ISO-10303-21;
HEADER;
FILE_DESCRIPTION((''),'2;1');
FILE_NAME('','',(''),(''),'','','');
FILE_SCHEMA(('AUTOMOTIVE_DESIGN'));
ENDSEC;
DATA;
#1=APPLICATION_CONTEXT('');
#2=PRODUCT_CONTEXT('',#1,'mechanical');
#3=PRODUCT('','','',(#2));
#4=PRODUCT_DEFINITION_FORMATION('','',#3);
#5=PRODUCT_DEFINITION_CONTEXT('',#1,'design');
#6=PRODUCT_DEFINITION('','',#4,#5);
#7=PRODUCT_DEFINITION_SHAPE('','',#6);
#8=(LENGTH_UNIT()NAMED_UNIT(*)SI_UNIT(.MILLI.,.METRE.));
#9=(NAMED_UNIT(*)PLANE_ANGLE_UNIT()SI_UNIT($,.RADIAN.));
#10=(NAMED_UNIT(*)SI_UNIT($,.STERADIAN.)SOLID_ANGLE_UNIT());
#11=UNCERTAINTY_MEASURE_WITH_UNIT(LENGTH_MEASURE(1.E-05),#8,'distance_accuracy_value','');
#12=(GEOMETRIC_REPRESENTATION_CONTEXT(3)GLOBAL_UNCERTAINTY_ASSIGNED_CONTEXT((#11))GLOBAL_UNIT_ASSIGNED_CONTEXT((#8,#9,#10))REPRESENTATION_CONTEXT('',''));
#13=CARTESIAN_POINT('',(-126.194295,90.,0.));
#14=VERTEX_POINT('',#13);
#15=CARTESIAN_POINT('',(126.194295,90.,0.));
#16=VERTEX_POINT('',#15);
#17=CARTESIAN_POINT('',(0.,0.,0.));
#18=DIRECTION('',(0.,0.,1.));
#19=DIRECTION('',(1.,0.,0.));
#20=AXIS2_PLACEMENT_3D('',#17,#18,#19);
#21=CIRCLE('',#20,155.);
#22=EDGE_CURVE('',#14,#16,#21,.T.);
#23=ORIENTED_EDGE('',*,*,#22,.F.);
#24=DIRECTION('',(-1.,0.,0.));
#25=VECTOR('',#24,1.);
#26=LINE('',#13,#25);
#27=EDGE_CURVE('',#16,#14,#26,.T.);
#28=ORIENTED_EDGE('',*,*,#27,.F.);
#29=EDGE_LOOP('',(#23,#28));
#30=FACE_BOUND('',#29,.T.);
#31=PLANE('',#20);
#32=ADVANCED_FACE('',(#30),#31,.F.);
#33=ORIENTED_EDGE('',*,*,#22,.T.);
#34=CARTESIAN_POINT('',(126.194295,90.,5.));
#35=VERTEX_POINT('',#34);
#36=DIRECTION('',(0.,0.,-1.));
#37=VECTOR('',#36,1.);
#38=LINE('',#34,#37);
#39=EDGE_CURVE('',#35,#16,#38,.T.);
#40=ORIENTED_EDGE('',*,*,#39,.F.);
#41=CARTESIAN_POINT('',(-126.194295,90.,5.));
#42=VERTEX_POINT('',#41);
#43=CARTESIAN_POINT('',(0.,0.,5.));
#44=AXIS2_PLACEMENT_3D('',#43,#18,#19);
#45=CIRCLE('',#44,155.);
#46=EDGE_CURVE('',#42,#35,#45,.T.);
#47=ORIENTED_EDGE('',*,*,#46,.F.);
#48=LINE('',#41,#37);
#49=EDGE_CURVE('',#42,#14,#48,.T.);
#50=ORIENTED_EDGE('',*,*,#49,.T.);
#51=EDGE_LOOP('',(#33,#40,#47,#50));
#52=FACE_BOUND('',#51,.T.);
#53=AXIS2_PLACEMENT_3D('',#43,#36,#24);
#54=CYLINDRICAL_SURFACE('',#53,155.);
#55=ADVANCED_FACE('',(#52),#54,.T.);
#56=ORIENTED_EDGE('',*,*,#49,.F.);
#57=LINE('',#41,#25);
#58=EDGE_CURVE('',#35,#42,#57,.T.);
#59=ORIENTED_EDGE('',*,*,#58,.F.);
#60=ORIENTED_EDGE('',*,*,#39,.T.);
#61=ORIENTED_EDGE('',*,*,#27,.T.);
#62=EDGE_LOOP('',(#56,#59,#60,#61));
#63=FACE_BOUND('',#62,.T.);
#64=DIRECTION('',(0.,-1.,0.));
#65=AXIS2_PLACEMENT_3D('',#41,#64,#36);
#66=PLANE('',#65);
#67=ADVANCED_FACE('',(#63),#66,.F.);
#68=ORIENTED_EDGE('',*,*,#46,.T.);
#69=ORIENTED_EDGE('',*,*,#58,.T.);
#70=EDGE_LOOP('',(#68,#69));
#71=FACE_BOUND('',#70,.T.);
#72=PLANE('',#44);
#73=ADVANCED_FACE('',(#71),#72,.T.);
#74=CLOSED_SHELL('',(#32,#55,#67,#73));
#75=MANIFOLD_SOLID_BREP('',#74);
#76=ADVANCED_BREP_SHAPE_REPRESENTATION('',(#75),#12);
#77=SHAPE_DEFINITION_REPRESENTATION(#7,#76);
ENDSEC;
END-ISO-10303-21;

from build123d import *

# Parameters (mm, degrees)
BOSS_EXTRUDE1_DEPTH = 5


with BuildPart() as part:
    # Sketch1 → Boss-Extrude1 (new body)
    with BuildSketch(Plane.XY):
        with BuildLine():
            Line((-126.194294641, 90), (126.194294641, 90))
            ThreePointArc((126.194294641, 90), (0, -155), (-126.194294641, 90))
        make_face()
    extrude(amount=BOSS_EXTRUDE1_DEPTH)


solid = part.part
